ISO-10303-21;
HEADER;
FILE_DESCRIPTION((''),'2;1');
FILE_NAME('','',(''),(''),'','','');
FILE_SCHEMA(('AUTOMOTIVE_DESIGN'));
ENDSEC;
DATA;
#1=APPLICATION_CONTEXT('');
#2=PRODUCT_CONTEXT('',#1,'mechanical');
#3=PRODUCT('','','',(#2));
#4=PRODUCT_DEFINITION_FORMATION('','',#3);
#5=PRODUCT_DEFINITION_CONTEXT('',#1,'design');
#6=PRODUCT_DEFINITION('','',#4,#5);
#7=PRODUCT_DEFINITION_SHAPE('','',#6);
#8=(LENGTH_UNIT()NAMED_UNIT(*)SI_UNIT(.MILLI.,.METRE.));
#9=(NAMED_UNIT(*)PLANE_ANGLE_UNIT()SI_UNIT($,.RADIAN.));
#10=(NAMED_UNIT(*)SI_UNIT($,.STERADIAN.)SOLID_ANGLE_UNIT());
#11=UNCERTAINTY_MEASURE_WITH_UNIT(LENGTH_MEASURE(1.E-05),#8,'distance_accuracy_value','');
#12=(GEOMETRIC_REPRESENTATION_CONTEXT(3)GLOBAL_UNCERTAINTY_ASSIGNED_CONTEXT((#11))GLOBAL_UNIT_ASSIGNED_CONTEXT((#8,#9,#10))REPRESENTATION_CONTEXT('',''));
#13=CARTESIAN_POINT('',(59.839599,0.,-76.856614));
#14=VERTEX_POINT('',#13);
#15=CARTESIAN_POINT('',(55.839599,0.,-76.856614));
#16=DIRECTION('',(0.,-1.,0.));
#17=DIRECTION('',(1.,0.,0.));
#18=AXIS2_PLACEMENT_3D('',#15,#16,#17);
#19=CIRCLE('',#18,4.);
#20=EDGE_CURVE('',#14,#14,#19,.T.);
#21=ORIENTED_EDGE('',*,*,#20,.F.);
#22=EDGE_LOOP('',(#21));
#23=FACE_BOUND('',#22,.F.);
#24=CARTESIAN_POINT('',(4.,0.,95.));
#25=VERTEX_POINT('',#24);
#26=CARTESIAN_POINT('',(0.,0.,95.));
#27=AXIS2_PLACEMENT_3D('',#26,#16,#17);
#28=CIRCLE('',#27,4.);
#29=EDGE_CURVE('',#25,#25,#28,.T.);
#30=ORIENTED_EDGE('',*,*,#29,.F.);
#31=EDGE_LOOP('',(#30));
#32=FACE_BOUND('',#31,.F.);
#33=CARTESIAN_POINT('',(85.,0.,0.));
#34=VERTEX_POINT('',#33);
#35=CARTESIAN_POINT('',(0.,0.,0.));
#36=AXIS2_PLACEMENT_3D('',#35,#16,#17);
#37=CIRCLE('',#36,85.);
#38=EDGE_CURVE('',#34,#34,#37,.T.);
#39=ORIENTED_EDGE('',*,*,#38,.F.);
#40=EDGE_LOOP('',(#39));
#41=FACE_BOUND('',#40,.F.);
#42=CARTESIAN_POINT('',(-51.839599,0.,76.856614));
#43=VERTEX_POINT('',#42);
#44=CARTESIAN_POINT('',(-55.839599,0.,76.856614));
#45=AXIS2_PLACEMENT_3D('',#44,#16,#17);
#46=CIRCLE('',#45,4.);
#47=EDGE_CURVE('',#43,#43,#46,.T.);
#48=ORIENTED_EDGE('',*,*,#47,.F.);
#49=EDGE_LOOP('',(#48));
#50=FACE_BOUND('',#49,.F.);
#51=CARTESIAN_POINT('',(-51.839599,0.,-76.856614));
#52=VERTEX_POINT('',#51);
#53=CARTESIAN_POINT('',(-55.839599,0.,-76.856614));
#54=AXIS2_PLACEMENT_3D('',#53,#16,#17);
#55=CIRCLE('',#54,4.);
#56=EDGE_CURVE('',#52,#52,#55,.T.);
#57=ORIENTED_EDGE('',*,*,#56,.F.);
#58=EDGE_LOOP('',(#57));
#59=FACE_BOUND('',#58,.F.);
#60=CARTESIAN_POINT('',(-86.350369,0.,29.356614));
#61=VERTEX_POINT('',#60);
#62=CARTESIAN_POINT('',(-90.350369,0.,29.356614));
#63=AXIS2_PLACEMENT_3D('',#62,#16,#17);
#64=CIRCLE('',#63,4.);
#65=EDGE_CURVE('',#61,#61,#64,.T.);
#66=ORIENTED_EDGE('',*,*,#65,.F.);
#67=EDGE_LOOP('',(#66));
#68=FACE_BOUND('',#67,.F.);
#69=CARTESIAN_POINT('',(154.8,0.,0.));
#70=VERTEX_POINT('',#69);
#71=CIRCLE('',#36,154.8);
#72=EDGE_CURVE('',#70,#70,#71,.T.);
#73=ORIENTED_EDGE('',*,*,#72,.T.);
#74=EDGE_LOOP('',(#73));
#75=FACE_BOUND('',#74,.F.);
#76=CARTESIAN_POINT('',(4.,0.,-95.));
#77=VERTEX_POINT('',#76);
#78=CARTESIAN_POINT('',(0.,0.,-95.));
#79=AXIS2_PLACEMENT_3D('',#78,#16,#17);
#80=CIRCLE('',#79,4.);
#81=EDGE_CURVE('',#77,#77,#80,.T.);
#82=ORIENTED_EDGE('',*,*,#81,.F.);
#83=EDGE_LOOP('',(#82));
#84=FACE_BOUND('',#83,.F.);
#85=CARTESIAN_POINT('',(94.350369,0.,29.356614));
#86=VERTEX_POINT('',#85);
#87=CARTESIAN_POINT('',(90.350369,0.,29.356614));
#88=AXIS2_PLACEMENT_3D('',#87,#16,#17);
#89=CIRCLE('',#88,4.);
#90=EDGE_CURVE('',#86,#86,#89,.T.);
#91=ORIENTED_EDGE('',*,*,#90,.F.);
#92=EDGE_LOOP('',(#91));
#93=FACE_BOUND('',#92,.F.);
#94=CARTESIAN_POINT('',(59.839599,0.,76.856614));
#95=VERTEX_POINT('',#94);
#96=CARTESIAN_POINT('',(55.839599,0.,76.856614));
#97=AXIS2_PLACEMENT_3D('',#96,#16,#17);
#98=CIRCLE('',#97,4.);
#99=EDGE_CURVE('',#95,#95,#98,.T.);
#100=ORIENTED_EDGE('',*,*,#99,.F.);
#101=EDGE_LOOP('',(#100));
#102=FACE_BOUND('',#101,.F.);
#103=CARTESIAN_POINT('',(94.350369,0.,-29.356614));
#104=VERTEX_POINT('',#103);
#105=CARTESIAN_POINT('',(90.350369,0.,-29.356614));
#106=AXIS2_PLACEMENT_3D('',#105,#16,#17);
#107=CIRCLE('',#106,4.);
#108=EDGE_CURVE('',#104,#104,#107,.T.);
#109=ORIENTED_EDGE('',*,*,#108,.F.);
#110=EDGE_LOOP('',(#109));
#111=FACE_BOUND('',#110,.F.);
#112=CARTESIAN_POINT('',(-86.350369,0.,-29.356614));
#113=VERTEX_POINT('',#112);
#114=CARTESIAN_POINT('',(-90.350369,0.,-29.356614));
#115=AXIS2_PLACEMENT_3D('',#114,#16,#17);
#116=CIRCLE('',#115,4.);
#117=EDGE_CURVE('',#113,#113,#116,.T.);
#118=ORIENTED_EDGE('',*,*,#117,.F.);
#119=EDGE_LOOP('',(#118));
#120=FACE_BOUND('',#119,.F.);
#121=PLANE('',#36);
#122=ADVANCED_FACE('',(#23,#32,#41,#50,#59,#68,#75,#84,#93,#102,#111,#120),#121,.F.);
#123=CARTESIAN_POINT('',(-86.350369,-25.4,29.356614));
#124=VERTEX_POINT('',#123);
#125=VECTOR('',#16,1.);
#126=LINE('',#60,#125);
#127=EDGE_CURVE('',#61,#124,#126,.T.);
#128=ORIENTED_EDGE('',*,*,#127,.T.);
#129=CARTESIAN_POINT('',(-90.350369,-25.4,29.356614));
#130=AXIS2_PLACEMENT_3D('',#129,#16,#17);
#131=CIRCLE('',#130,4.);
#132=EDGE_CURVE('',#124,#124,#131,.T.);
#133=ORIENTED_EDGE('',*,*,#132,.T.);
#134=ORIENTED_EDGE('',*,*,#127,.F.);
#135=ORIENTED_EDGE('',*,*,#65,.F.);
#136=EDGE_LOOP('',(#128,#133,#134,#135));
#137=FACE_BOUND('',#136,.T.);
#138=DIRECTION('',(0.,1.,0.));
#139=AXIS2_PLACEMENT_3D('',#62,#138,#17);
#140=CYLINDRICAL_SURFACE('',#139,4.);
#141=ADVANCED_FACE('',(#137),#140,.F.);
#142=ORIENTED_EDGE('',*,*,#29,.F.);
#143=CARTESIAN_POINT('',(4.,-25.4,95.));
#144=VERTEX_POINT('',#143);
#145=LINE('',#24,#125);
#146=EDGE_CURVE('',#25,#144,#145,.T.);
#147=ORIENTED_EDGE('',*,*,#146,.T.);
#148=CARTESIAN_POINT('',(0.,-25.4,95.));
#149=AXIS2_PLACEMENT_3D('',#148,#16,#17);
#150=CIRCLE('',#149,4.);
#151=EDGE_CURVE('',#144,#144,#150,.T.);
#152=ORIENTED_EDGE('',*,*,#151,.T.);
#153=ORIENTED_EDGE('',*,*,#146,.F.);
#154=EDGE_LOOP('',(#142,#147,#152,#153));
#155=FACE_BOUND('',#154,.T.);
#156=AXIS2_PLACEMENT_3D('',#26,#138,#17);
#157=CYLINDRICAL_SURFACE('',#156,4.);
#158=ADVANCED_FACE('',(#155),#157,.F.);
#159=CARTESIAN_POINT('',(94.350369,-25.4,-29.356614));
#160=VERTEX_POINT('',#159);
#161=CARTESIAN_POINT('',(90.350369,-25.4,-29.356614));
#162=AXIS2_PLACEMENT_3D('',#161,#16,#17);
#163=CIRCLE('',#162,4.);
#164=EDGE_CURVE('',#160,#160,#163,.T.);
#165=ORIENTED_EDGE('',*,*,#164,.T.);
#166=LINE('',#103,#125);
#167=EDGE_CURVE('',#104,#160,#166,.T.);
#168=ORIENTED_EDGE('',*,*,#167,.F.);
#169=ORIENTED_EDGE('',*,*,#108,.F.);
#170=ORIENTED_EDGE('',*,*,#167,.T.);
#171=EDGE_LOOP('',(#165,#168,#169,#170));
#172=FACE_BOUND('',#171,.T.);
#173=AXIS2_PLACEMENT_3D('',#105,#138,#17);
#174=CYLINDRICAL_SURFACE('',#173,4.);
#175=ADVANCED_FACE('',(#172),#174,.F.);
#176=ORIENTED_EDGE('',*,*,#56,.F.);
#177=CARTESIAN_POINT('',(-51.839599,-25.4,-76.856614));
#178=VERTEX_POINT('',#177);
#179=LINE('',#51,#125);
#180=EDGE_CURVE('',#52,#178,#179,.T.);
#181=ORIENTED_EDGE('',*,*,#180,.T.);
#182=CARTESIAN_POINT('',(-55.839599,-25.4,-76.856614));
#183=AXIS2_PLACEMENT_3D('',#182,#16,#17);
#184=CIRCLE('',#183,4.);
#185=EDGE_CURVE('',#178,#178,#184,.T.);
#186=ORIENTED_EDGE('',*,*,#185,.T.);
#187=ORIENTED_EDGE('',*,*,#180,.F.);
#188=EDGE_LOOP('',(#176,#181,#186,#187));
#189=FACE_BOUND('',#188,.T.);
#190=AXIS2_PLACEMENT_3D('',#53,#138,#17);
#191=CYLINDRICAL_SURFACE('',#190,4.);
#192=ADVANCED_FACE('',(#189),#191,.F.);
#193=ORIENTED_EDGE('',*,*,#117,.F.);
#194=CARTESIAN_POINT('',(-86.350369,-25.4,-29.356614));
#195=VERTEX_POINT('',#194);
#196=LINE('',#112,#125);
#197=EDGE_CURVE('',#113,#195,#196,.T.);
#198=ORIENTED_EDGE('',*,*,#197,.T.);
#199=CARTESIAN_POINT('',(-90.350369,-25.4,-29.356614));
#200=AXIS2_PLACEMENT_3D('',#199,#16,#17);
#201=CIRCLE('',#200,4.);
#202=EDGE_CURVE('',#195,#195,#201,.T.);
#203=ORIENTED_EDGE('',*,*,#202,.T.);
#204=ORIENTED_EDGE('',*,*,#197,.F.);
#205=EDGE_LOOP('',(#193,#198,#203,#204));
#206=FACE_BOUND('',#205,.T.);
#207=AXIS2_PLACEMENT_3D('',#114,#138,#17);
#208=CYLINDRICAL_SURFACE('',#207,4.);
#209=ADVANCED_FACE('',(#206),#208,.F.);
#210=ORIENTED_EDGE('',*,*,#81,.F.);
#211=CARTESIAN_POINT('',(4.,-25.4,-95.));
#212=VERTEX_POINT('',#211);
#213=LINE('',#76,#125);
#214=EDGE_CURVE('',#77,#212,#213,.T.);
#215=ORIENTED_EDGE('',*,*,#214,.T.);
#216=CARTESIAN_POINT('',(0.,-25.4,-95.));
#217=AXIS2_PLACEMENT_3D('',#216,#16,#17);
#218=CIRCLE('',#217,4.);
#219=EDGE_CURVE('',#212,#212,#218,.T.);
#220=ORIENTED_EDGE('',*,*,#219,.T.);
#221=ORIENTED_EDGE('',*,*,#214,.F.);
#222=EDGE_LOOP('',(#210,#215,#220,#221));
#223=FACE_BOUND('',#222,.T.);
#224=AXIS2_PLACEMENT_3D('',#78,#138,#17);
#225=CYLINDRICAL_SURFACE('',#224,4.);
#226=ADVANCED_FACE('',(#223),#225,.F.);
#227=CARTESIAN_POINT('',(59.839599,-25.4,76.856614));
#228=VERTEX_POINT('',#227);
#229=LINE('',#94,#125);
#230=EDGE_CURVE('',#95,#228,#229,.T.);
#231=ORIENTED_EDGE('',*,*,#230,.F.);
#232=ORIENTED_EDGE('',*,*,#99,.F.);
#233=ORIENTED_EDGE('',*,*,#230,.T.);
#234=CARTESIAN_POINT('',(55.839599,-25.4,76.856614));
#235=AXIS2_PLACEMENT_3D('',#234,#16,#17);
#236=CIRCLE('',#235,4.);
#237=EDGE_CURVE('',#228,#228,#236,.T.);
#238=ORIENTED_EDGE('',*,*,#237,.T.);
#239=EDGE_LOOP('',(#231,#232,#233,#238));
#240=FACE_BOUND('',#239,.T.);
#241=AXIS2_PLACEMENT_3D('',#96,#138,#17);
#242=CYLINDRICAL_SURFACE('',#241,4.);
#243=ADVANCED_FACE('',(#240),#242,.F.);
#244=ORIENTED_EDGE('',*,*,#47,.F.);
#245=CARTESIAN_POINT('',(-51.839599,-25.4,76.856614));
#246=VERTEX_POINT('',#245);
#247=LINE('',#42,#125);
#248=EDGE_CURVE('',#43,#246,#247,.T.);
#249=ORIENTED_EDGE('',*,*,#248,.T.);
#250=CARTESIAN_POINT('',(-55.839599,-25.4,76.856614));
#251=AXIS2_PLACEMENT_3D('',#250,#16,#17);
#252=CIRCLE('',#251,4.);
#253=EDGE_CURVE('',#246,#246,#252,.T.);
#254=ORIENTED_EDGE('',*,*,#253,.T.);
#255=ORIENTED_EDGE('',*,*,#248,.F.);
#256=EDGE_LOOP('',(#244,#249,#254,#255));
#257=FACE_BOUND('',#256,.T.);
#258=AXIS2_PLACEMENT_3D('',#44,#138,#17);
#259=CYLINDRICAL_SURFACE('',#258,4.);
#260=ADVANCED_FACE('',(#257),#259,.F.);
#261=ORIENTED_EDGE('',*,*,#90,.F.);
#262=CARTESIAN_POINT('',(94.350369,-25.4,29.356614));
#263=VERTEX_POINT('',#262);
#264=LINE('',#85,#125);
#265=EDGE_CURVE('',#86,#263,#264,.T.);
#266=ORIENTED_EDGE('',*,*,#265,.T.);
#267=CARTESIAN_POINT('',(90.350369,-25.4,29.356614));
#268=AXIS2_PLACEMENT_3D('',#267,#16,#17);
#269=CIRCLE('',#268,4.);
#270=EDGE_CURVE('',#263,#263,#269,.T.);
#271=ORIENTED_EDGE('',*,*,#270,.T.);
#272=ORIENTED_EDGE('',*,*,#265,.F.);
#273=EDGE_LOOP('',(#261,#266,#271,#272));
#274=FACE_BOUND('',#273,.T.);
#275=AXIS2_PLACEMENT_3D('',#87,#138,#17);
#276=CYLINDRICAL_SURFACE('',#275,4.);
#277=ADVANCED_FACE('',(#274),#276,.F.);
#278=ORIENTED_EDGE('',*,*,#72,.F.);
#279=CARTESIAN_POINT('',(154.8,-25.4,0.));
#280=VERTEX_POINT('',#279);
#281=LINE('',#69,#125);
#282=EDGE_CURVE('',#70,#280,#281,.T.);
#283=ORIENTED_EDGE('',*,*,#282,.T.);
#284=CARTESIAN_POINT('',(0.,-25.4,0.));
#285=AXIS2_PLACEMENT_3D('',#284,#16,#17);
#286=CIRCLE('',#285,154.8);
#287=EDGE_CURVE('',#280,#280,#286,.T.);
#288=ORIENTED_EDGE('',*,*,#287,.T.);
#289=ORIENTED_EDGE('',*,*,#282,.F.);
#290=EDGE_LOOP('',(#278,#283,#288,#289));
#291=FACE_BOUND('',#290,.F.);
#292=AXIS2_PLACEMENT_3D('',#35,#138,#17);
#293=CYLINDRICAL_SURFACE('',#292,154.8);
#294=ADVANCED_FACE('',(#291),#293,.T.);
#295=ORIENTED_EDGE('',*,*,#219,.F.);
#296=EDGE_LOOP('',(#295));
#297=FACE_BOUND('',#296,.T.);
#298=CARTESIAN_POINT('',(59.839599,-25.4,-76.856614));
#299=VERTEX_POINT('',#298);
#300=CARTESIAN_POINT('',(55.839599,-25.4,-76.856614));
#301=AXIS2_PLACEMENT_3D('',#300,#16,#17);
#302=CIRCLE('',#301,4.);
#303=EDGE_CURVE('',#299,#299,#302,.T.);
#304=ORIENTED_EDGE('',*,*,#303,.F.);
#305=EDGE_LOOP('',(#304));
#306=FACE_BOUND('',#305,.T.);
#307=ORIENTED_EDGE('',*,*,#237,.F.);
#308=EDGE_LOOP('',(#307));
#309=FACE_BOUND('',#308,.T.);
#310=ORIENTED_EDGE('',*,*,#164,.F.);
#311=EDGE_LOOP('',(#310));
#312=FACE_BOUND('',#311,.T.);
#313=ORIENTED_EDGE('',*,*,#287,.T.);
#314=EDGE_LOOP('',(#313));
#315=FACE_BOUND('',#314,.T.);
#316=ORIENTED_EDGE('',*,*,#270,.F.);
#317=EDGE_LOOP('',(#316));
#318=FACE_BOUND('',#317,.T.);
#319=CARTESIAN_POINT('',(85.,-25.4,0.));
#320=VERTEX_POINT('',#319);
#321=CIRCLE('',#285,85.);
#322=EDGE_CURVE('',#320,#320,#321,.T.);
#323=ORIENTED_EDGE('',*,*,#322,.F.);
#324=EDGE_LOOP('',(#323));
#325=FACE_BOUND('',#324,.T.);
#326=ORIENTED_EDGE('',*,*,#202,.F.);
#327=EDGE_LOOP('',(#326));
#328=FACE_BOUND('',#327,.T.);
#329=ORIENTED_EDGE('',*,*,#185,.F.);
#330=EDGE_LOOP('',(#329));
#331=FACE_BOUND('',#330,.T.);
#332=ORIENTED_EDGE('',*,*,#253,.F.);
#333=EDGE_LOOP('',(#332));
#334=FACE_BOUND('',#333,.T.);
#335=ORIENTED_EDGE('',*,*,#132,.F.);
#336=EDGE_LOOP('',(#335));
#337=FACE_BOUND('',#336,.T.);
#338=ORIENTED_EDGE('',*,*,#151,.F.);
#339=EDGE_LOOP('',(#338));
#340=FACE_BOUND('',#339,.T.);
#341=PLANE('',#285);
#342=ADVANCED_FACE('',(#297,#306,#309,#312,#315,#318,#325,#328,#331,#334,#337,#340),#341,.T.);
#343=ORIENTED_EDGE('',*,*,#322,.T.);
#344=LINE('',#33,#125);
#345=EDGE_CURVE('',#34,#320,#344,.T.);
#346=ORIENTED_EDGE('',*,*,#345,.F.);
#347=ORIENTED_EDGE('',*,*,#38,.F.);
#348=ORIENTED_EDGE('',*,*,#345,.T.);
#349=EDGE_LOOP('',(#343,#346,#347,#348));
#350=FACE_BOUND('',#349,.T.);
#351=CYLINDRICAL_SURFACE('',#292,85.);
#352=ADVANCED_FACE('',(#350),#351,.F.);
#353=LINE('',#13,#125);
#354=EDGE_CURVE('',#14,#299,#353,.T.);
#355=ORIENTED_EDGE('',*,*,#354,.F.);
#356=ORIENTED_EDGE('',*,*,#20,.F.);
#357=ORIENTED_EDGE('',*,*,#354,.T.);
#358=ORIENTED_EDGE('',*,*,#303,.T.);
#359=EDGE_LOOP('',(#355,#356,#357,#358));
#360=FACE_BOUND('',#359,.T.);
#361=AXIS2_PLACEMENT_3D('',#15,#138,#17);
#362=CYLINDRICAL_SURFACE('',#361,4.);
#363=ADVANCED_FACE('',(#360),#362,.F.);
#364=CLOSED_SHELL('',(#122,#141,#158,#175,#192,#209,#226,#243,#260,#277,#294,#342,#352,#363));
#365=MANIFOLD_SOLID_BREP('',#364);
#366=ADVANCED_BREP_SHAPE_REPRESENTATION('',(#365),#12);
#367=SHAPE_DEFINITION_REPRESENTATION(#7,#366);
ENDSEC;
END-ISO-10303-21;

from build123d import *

# Parameters (mm, degrees)
F0_R     = 154.8
F0_R_2   = 4
F0_R_3   = 85
F1_DEPTH = 25.4


with BuildPart() as f1:
    # F0 (on Front) → F1 (new body)
    with BuildSketch(Plane.XZ):
        Circle(F0_R)
        with Locations((-90.350369, -29.356614)):
            Circle(F0_R_2, mode=Mode.SUBTRACT)
        with Locations((-55.839599, -76.856614)):
            Circle(F0_R_2, mode=Mode.SUBTRACT)
        with Locations((0, -95)):
            Circle(F0_R_2, mode=Mode.SUBTRACT)
        with Locations((55.839599, -76.856614)):
            Circle(F0_R_2, mode=Mode.SUBTRACT)
        with Locations((90.350369, -29.356614)):
            Circle(F0_R_2, mode=Mode.SUBTRACT)
        with Locations((-90.350369, 29.356614)):
            Circle(F0_R_2, mode=Mode.SUBTRACT)
        with Locations((-55.839599, 76.856614)):
            Circle(F0_R_2, mode=Mode.SUBTRACT)
        Circle(F0_R_3, mode=Mode.SUBTRACT)
        with Locations((55.839599, 76.856614)):
            Circle(F0_R_2, mode=Mode.SUBTRACT)
        with Locations((90.350369, 29.356614)):
            Circle(F0_R_2, mode=Mode.SUBTRACT)
        with Locations((0, 95)):
            Circle(F0_R_2, mode=Mode.SUBTRACT)
    extrude(amount=F1_DEPTH)


solid = f1.part
